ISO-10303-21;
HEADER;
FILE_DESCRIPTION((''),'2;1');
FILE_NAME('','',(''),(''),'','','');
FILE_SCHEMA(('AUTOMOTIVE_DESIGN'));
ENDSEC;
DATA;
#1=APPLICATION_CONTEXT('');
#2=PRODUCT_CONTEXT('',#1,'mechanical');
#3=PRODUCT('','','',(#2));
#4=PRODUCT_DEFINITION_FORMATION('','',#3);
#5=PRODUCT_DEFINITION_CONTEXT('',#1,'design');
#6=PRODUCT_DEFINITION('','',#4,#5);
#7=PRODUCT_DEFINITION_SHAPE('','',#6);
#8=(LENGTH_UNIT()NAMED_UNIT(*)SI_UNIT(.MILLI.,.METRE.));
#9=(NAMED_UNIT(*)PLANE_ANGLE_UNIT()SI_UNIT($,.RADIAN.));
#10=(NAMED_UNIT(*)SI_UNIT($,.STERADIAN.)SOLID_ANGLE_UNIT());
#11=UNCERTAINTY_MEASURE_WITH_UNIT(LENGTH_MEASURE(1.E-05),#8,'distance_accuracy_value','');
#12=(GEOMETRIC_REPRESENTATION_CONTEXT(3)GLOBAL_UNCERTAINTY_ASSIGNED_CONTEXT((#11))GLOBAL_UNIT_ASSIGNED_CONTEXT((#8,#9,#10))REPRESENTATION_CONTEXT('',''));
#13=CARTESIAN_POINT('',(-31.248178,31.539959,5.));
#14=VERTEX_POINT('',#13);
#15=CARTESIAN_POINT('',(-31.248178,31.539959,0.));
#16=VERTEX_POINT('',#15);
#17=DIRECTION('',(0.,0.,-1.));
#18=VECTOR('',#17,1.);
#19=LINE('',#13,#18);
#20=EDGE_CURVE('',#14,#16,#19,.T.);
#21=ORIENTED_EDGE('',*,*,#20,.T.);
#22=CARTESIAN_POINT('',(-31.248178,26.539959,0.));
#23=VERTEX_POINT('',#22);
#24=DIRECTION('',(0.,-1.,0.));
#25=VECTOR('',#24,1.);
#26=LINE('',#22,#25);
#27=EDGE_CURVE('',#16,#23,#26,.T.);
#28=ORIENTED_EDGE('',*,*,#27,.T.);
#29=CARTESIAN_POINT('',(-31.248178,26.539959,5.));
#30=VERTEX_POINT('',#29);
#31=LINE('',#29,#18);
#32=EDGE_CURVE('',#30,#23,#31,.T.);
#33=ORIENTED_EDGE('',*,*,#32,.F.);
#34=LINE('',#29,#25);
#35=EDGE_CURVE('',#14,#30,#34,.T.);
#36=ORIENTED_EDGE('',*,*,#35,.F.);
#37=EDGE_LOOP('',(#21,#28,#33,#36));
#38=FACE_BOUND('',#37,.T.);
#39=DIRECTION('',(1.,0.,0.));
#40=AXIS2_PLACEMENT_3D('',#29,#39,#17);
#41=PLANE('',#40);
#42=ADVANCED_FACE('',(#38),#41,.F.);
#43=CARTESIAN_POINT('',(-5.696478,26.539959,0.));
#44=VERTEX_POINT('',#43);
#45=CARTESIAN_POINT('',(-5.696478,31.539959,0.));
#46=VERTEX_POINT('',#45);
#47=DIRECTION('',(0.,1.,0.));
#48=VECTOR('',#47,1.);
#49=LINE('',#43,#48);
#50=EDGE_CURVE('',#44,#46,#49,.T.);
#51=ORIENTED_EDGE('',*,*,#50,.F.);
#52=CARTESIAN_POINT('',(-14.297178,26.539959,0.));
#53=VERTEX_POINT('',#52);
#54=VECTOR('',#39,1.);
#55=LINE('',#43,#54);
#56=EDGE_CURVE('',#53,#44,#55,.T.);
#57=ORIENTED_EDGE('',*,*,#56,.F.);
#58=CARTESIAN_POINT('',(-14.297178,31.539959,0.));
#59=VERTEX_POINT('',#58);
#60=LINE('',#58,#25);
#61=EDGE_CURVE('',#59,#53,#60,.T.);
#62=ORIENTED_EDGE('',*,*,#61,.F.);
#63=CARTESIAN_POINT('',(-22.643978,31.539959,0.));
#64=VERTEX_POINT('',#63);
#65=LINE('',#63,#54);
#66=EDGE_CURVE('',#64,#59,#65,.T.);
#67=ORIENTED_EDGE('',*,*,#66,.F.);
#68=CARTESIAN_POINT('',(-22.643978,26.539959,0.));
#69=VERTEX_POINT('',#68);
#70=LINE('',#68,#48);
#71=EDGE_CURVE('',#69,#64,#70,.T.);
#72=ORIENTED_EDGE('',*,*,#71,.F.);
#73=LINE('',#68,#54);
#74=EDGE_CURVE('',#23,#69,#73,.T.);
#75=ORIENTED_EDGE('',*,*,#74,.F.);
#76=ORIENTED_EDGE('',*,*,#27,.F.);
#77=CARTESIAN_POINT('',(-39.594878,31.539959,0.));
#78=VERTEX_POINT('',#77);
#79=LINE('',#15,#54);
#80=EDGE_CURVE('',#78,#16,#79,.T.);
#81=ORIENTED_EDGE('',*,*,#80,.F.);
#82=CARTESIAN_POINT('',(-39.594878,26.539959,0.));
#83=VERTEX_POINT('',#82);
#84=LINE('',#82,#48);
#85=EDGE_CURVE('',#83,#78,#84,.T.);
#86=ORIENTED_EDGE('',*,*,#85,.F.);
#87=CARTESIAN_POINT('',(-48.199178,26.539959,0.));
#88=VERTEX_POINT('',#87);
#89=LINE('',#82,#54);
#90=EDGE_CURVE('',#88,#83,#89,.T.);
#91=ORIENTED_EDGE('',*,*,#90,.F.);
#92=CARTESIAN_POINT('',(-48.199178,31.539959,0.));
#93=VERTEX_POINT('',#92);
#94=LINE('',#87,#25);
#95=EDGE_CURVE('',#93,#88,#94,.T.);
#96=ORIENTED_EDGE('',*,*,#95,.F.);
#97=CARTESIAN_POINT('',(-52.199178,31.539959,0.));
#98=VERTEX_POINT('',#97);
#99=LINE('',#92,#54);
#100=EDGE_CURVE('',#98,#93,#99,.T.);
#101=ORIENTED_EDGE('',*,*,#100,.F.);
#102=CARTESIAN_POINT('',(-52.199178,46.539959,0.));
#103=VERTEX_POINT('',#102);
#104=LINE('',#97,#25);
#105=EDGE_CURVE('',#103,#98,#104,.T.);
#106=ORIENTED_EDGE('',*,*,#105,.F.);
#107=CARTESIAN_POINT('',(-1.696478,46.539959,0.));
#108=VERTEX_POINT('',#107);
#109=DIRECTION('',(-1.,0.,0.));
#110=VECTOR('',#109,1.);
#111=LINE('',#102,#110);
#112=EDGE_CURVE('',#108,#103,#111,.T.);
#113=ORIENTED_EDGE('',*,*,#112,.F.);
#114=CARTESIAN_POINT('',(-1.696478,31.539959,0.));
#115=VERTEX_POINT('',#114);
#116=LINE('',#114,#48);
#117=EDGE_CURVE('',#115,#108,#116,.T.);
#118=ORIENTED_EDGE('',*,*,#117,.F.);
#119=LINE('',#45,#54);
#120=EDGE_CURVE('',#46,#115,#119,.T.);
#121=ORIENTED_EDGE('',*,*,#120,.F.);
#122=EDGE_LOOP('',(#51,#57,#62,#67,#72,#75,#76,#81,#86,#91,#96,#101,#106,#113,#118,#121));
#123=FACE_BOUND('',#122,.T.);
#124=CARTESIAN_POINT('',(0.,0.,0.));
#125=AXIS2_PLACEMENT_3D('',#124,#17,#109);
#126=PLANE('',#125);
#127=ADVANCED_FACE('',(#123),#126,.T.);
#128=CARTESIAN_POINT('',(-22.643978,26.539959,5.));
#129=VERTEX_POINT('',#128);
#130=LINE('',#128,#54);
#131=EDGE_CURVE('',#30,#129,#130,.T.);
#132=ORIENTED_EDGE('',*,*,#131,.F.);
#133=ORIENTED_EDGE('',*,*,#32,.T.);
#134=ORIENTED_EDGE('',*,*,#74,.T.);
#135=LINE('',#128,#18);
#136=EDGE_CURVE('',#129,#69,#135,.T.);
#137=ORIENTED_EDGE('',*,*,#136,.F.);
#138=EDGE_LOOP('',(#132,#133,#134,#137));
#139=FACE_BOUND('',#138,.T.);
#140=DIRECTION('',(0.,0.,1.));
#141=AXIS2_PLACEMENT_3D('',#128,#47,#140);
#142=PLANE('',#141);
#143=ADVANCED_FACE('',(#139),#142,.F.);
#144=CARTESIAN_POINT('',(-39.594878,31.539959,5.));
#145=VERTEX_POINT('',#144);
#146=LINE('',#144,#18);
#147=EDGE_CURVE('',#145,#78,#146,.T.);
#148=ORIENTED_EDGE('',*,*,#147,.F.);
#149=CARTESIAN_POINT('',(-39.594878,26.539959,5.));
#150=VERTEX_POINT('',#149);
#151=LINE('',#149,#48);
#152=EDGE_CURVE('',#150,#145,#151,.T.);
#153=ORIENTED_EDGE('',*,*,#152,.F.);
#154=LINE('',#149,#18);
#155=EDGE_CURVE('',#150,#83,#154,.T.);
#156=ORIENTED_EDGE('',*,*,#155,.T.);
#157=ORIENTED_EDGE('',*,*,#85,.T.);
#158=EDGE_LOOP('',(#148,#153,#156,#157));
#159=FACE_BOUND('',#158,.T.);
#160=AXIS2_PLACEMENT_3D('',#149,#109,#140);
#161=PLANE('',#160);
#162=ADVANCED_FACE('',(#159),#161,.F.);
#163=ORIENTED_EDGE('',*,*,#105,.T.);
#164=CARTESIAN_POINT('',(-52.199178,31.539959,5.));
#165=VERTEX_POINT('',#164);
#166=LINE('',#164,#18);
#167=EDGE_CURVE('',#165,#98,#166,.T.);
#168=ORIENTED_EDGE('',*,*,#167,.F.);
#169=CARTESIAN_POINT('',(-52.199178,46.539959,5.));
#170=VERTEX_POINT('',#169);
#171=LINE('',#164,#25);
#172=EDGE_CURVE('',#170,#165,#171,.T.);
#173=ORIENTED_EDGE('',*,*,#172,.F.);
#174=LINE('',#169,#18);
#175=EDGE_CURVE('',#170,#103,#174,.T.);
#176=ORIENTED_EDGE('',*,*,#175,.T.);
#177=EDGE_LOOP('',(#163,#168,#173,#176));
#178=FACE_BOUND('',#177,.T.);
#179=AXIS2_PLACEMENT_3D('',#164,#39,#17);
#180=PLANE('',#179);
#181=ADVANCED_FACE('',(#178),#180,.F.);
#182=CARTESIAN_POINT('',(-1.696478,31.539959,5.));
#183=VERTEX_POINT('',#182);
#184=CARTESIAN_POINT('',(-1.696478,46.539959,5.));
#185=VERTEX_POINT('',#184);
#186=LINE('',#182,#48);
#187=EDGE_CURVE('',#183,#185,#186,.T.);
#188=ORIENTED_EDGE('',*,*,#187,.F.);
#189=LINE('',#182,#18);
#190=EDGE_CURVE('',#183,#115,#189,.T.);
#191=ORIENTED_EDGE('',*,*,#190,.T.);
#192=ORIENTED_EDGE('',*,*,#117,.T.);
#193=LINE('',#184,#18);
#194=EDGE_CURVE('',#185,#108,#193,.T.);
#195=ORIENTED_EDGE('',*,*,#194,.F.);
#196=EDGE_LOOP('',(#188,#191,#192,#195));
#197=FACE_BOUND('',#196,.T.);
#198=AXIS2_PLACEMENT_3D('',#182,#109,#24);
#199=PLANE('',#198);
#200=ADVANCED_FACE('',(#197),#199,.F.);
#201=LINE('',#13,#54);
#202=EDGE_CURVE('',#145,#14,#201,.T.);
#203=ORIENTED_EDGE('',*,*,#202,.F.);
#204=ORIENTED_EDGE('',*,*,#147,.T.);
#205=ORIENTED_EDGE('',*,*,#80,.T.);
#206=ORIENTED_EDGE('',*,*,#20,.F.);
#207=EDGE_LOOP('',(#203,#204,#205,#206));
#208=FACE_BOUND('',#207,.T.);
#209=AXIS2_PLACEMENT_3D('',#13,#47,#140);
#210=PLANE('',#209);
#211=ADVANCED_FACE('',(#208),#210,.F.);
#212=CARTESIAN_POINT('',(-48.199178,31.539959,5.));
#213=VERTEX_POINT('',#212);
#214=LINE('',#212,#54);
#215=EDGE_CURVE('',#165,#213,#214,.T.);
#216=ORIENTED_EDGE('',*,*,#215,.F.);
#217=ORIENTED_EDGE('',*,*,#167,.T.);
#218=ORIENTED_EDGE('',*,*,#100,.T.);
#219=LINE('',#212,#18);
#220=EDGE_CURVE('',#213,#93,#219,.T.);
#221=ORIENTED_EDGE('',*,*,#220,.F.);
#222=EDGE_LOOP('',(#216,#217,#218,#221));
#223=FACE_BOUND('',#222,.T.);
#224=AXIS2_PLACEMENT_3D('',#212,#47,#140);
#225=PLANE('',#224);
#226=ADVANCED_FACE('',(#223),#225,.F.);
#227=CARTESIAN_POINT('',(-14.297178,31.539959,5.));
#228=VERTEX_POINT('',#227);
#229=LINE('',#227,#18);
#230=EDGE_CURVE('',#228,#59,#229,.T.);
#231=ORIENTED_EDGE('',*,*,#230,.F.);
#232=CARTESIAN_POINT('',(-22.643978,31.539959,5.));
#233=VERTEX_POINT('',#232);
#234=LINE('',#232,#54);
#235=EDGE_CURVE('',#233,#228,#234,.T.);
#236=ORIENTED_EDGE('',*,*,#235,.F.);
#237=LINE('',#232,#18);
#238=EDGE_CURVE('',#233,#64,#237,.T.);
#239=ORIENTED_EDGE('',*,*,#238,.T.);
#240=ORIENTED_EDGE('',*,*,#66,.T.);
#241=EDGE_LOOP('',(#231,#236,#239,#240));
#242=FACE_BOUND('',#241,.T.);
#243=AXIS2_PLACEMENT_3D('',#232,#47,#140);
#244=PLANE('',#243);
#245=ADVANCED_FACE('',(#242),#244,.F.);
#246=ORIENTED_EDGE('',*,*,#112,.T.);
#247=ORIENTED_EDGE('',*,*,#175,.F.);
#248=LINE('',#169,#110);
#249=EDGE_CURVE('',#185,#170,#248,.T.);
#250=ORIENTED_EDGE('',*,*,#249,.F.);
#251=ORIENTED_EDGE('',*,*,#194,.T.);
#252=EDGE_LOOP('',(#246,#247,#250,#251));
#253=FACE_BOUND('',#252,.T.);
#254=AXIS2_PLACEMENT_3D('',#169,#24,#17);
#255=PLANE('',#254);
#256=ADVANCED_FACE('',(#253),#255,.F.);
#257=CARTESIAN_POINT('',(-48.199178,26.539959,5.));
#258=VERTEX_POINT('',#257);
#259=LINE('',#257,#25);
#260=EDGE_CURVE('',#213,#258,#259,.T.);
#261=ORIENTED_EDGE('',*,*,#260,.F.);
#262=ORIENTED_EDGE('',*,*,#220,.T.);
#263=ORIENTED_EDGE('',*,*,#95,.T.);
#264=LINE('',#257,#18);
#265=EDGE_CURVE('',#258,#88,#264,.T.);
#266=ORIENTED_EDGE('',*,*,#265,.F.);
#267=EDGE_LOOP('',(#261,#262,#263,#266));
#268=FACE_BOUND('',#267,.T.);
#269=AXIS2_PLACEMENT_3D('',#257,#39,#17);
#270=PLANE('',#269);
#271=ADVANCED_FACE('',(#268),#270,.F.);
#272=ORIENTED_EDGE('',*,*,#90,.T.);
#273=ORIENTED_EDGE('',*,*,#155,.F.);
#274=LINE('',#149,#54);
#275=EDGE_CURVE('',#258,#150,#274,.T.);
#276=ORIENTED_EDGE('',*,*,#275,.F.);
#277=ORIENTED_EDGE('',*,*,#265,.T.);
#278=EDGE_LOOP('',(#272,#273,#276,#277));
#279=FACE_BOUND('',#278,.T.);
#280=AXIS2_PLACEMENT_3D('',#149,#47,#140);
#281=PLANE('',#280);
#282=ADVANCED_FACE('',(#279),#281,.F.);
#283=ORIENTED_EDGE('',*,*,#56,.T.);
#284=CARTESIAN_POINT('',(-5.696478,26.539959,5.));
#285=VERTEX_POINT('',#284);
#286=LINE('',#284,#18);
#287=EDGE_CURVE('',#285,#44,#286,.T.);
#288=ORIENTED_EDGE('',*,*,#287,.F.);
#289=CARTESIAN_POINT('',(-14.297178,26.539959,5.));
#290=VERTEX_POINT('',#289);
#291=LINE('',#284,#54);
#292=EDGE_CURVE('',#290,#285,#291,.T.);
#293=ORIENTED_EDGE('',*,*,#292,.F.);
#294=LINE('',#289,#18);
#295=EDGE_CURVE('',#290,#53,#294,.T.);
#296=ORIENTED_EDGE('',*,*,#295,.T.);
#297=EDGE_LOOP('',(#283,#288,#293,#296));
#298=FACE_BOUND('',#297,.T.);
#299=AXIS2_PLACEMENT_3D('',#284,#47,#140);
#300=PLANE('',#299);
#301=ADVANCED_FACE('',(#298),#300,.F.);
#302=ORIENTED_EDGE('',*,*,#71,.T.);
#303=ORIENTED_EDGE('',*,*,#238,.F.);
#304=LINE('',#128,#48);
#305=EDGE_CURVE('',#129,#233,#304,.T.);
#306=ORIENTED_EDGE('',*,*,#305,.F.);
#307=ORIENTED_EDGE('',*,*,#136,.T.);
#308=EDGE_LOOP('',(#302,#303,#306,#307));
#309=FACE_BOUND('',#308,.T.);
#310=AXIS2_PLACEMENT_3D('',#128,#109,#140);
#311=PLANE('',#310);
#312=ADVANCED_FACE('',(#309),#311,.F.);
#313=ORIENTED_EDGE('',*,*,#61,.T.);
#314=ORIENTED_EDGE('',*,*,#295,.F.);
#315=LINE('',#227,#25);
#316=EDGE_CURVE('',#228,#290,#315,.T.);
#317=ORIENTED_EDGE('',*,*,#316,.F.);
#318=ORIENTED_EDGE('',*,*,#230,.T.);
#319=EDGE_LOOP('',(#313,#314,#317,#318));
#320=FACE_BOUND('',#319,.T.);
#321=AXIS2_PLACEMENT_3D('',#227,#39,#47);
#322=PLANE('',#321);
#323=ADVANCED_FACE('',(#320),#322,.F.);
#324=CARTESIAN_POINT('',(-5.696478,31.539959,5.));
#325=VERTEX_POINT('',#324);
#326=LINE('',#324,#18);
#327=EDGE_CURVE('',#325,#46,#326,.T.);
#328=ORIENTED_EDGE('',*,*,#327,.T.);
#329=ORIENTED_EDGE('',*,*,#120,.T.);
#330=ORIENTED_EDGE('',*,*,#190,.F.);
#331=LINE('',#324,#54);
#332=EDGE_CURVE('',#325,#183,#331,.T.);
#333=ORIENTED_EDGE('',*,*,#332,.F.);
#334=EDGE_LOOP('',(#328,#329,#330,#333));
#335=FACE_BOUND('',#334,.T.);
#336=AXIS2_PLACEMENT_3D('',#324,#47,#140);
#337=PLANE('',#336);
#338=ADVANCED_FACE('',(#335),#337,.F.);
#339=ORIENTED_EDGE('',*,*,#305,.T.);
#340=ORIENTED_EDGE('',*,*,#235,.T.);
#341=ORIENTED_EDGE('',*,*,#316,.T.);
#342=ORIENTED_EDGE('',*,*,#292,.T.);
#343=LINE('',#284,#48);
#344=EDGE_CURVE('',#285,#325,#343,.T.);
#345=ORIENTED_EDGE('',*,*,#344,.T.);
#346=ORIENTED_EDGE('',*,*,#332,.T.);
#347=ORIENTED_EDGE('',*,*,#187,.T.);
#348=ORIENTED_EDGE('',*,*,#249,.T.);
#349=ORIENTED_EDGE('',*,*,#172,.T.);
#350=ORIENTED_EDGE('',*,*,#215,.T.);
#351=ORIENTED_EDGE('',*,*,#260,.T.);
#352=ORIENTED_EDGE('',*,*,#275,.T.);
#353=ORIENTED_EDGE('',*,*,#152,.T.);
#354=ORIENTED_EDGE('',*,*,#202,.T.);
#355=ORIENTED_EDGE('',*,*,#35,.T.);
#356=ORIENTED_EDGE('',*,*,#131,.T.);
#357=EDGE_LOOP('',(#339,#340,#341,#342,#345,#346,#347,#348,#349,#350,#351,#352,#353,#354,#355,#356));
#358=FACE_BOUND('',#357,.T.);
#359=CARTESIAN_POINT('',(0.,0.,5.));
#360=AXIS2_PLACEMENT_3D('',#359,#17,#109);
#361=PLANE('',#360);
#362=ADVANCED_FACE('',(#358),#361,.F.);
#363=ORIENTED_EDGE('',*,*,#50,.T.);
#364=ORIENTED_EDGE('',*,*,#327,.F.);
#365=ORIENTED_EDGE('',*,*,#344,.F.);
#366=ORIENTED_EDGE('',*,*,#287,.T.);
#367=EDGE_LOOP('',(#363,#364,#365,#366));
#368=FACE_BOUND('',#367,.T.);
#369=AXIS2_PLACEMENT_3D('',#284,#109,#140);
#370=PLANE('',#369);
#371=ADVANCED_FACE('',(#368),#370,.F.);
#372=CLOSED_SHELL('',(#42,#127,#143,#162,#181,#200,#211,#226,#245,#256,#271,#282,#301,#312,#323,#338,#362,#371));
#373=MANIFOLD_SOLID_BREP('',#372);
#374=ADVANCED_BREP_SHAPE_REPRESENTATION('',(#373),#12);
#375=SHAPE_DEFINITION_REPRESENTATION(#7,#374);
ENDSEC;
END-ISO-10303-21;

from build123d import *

# Parameters (mm, degrees)
BOSS_EXTRUDE1_DEPTH = 5


with BuildPart() as part:
    # Sketch1 → Boss-Extrude1 (new body)
    with BuildSketch(Plane.XY):
        Polygon((-5.696477884, 26.539959489), (-14.297177884, 26.539959489), (-14.297177884, 31.539959489), (-22.643977884, 31.539959489), (-22.643977884, 26.539959489), (-31.248177884, 26.539959489), (-31.248177884, 31.539959489), (-39.594877884, 31.539959489), (-39.594877884, 26.539959489), (-48.199177884, 26.539959489), (-48.199177884, 31.539959489), (-52.199177884, 31.539959489), (-52.199177884, 46.539959489), (-1.696477884, 46.539959489), (-1.696477884, 31.539959489), (-5.696477884, 31.539959489), align=None)
    extrude(amount=BOSS_EXTRUDE1_DEPTH)


solid = part.part
